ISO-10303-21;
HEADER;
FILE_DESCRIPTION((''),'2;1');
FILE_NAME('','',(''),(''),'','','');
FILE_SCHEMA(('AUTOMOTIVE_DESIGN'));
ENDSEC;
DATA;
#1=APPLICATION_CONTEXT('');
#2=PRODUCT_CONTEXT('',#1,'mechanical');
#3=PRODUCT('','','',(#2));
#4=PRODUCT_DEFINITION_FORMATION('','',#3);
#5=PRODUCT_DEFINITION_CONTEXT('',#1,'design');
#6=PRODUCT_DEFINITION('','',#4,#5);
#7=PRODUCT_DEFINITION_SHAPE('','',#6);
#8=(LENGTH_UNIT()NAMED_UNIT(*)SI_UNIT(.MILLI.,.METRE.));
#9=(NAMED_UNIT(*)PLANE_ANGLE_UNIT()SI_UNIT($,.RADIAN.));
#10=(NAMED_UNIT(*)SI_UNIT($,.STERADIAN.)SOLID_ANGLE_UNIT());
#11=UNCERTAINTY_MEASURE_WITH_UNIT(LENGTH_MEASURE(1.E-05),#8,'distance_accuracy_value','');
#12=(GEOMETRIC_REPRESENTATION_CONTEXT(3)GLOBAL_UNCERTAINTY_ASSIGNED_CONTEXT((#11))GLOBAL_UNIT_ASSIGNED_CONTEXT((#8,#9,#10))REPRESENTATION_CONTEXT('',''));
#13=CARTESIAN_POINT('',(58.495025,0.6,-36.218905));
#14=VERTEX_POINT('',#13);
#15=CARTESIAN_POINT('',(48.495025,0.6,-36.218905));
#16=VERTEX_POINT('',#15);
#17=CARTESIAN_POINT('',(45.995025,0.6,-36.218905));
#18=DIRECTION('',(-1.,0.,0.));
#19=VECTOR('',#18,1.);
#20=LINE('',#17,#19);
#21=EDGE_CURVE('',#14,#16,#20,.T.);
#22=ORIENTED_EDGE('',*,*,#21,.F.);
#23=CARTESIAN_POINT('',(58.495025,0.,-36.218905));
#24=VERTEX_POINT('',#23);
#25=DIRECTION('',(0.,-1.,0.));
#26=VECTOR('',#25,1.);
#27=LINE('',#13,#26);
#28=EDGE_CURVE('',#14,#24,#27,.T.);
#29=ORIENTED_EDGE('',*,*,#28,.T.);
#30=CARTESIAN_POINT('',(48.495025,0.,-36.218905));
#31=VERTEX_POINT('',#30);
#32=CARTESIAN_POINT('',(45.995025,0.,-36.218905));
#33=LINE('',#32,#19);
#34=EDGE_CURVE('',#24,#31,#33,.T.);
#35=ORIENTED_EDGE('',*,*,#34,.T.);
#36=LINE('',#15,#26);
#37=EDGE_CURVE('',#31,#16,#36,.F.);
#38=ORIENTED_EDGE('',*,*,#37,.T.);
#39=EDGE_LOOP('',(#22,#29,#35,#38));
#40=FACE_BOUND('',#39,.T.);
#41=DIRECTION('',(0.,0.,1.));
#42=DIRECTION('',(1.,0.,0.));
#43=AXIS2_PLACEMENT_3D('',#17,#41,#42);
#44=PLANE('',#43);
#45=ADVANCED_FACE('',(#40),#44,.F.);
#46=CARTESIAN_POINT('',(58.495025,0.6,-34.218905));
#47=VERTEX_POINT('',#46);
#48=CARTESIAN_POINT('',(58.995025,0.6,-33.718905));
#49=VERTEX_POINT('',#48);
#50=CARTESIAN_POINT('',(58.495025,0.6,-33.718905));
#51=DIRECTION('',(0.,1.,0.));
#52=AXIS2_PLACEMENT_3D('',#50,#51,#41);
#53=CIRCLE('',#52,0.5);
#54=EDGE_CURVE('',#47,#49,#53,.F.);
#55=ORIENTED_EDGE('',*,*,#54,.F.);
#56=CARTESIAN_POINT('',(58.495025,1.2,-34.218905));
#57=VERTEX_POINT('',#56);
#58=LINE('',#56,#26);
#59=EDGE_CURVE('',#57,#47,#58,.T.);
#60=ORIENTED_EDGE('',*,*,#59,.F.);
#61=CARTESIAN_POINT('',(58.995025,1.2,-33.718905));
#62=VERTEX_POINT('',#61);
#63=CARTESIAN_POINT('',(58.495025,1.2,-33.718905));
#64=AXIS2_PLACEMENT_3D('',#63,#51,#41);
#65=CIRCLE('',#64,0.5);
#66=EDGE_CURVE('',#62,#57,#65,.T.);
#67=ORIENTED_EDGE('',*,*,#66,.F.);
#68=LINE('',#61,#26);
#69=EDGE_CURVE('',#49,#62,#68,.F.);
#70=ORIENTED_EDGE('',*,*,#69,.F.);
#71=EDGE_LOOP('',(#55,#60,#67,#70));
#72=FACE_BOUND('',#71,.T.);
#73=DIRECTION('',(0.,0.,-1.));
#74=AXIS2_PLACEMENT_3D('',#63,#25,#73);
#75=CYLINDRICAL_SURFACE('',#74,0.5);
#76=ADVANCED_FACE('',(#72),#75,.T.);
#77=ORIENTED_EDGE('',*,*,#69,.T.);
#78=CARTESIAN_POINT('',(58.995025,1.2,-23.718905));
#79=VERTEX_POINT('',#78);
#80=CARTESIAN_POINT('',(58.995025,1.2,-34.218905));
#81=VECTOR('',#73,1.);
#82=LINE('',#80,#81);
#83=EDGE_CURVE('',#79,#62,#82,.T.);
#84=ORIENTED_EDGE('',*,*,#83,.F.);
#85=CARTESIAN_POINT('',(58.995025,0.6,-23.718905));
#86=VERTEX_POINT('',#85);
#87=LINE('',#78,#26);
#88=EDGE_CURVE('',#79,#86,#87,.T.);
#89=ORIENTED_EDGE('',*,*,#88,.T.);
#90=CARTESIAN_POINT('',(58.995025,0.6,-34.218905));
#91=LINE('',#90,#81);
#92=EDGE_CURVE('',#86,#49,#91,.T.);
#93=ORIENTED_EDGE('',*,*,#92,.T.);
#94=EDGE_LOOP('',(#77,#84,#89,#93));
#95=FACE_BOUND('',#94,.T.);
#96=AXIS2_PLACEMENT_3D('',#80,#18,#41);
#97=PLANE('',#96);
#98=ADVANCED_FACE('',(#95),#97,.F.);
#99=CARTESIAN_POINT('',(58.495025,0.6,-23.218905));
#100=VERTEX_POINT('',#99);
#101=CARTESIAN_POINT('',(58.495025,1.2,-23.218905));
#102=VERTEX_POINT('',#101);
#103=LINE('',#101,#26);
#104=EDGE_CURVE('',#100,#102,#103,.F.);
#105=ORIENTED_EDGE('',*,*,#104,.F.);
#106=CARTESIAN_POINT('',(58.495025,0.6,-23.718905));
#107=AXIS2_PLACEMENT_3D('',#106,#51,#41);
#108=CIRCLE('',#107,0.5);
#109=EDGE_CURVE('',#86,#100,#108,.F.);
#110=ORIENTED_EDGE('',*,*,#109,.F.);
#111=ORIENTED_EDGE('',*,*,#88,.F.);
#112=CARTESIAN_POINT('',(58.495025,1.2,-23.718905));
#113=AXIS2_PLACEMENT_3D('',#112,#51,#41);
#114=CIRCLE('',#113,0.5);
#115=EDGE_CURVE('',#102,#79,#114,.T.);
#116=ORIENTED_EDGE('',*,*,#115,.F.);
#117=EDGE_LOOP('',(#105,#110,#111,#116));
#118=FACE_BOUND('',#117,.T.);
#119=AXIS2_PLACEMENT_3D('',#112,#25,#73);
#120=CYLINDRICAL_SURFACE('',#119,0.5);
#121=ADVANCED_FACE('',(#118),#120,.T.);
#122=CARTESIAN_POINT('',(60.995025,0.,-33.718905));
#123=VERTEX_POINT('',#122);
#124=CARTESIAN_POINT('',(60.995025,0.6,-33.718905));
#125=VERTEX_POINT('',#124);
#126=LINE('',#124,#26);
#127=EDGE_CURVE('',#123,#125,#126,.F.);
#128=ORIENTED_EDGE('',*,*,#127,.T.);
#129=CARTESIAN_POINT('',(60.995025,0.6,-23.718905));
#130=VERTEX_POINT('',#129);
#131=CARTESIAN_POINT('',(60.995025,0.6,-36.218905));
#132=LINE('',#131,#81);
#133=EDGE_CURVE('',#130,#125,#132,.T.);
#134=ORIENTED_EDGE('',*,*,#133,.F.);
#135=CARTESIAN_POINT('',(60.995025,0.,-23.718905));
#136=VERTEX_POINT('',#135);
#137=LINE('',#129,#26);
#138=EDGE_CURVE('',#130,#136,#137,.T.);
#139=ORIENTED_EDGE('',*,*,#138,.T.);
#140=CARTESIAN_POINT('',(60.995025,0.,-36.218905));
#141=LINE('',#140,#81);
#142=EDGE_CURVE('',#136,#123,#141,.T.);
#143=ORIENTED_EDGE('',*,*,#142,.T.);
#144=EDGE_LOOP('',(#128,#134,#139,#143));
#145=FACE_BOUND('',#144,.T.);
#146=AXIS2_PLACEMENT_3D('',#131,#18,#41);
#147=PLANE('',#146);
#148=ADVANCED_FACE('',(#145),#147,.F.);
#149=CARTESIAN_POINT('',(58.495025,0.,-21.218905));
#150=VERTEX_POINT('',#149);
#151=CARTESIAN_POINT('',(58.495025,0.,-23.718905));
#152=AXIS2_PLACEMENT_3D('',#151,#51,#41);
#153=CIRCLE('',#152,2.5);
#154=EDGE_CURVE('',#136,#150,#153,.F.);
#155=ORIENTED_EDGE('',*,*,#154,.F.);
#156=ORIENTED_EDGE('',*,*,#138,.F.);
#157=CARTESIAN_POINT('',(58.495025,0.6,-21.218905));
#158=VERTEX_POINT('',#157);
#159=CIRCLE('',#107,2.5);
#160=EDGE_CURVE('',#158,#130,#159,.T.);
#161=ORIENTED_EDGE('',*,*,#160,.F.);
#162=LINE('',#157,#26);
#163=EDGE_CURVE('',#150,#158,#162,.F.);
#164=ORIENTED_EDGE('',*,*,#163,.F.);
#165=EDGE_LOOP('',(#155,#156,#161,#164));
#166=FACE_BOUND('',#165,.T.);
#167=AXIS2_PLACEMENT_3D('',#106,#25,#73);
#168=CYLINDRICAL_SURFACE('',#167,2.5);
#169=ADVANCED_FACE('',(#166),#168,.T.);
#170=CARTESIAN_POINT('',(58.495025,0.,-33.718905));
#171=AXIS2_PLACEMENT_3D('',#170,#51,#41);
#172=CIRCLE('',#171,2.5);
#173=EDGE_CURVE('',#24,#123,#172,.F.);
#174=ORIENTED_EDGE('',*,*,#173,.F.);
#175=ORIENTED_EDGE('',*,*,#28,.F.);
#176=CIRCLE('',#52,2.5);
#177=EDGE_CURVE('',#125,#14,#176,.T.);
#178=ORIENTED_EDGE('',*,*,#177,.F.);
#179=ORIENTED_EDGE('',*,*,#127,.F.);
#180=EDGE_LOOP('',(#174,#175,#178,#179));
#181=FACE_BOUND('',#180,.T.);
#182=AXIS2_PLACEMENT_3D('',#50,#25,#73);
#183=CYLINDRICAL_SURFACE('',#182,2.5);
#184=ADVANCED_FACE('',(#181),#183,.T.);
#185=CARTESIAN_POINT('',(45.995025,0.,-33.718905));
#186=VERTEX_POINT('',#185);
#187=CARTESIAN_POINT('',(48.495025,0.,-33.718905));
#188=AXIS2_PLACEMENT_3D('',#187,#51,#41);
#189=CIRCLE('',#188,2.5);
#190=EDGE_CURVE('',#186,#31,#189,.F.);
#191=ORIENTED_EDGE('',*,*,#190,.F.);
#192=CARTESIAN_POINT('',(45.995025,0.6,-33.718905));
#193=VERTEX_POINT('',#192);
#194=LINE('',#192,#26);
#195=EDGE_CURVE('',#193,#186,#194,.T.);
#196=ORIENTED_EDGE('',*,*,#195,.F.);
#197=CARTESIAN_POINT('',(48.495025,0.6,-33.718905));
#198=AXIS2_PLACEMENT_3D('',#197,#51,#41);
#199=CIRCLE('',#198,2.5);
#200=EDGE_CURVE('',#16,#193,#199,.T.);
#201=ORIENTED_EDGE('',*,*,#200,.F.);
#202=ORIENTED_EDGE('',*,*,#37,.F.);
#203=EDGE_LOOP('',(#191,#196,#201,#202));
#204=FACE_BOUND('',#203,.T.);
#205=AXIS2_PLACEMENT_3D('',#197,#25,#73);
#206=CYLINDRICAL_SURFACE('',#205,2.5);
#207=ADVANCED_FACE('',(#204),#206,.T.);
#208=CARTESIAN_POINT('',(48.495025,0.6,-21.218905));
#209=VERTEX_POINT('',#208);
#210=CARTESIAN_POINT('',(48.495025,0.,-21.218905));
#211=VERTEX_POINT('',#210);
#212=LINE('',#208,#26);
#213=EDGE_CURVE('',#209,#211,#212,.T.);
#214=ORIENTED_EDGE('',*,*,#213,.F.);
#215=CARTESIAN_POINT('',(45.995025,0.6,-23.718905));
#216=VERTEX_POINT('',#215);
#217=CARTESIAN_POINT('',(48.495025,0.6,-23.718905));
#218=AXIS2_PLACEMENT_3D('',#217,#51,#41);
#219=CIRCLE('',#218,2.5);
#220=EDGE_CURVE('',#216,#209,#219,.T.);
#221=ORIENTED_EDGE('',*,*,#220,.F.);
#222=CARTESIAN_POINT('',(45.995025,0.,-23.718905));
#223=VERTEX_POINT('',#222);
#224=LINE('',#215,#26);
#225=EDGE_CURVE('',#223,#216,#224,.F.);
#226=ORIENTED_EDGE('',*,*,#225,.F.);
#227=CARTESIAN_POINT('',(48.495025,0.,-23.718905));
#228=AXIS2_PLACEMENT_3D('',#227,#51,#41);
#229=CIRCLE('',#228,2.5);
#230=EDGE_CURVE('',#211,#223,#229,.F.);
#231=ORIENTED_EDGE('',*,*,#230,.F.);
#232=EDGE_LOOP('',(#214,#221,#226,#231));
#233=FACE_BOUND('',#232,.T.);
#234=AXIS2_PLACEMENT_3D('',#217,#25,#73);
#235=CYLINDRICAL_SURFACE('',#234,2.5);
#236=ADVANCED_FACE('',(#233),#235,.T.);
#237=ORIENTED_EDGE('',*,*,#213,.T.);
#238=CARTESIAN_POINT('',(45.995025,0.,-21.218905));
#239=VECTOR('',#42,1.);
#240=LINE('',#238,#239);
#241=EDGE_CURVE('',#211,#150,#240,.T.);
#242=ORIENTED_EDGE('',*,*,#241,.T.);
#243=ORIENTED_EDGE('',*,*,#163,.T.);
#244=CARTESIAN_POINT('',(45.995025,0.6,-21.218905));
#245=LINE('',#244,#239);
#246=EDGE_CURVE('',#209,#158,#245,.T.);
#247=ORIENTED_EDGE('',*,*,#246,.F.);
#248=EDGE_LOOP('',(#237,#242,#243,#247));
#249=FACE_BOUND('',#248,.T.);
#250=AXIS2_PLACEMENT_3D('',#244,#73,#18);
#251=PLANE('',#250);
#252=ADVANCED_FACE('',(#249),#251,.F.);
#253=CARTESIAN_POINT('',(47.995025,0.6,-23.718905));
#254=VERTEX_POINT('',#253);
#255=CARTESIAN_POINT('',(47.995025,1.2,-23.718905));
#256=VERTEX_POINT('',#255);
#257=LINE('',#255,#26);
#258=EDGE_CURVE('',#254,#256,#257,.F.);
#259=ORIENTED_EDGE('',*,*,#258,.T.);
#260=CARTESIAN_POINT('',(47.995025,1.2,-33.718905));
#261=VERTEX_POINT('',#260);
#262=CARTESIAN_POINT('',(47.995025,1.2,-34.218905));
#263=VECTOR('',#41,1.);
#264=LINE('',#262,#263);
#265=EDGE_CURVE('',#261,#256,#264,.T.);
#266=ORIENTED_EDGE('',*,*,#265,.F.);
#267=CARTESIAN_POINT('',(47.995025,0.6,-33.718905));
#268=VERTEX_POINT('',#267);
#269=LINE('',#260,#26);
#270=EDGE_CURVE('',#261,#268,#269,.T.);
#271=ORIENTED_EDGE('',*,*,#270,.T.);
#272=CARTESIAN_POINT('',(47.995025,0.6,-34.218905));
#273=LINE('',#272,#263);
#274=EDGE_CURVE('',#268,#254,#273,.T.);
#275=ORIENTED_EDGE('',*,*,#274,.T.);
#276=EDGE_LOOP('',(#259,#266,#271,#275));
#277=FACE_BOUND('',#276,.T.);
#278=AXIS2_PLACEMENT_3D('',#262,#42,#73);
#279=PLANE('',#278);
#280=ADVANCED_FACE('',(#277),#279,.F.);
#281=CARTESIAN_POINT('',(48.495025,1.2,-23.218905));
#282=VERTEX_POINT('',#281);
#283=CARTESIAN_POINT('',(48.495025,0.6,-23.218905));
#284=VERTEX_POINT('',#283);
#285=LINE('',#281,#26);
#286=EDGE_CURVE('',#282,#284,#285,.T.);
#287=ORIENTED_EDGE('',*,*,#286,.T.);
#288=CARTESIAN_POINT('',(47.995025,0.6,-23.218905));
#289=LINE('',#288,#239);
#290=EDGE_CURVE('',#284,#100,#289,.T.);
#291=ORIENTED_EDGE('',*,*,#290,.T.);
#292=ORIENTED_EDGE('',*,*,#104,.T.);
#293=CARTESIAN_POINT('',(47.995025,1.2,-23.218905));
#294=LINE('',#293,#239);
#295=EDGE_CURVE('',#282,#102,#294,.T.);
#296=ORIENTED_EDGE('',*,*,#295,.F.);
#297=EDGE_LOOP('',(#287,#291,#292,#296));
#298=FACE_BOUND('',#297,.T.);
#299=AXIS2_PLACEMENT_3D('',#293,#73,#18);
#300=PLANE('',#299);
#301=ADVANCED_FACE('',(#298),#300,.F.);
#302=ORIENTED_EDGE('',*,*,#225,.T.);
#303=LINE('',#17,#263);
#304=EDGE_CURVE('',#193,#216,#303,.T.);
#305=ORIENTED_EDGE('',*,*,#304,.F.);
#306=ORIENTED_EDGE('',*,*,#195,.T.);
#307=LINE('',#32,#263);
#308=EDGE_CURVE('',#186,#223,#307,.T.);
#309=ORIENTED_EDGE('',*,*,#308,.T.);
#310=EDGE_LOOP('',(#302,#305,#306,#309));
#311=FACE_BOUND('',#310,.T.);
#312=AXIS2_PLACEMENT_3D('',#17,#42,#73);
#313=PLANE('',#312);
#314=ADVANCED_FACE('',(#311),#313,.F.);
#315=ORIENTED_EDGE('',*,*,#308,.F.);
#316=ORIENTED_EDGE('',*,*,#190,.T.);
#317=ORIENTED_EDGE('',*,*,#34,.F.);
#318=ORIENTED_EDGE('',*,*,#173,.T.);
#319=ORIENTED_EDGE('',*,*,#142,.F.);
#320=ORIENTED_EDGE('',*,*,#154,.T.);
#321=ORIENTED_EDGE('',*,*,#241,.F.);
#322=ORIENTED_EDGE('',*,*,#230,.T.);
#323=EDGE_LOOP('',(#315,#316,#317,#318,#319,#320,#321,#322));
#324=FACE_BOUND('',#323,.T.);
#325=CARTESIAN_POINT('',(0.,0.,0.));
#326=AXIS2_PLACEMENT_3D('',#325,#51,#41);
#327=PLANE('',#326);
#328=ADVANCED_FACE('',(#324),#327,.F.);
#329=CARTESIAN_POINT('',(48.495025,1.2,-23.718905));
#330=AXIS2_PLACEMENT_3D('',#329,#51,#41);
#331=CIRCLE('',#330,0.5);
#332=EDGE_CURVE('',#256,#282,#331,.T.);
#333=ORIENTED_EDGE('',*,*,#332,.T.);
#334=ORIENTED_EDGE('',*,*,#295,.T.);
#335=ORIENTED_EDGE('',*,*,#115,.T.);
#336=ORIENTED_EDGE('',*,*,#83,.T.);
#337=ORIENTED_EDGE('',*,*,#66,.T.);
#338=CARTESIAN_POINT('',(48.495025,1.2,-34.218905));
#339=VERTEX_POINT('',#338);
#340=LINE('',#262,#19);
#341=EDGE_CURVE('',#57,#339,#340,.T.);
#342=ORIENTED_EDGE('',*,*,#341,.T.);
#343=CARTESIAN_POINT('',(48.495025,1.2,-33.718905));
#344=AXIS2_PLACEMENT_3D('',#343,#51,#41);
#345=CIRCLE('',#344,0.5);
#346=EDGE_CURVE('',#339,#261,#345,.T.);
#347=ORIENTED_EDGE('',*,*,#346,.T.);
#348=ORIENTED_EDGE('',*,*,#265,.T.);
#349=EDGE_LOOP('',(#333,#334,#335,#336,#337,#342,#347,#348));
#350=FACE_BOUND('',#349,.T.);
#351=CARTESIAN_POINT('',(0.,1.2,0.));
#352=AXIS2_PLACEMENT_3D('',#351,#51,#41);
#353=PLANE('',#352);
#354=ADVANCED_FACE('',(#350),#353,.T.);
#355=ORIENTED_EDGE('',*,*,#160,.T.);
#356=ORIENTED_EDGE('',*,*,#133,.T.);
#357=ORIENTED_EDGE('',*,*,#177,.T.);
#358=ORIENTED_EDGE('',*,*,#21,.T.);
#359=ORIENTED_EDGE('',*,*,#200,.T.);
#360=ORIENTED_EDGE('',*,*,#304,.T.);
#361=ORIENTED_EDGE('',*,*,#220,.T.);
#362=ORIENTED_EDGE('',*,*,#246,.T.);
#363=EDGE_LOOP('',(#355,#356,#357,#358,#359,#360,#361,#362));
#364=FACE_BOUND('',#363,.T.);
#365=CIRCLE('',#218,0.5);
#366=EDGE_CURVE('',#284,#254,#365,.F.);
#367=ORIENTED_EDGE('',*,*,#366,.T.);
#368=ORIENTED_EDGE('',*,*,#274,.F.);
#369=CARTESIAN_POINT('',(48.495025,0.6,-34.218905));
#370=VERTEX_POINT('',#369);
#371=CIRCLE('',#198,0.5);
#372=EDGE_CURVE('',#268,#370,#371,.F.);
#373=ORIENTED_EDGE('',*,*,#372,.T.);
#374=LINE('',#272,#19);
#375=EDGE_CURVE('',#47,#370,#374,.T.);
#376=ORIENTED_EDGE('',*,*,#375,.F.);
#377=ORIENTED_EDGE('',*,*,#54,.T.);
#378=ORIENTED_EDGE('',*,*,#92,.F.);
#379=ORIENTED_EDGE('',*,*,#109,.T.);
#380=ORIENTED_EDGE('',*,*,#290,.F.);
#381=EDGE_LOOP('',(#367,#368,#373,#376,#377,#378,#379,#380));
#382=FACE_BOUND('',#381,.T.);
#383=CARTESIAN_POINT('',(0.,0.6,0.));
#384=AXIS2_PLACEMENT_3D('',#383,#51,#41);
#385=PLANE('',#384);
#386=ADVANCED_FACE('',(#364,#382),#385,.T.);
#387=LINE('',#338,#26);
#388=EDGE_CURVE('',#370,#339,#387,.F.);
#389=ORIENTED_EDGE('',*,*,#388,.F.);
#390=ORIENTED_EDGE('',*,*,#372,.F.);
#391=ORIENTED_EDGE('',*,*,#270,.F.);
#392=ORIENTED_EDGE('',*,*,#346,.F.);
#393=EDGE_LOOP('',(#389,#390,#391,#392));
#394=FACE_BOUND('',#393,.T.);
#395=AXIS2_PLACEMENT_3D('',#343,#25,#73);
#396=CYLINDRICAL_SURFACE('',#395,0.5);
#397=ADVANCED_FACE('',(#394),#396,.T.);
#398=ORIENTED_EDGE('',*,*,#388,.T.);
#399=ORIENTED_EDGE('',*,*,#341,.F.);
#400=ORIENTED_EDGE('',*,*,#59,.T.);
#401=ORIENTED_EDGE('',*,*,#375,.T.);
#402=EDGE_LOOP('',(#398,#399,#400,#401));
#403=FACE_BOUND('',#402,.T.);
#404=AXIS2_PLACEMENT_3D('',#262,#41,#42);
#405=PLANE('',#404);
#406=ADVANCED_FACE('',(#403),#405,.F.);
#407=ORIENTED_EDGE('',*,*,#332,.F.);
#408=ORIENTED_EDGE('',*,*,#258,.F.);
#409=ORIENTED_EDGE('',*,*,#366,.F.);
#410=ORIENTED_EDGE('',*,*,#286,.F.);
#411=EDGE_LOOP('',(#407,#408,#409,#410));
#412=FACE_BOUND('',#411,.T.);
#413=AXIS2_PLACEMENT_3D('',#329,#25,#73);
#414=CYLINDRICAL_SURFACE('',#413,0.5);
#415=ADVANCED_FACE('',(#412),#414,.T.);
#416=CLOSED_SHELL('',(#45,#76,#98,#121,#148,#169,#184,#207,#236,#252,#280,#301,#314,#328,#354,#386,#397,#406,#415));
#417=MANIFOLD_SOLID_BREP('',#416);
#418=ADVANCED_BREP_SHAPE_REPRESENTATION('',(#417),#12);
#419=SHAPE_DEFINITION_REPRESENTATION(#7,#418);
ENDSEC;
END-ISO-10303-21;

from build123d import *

# Parameters (mm, degrees)
SKETCH_1_W      = 15
SKETCH_1_H      = 15
EXTRUDE_1_DEPTH = 0.6
FILLET_1_R      = 2.5
SKETCH_2_W      = 11
SKETCH_2_H      = 11
EXTRUDE_2_DEPTH = 0.6
FILLET_2_R      = 0.5


with BuildPart() as part:
    # 草图1 → 凸台-拉伸1 (new body)
    with BuildSketch(Plane(origin=(0, 0, 0), x_dir=(1, 0, 0), z_dir=(0, 1, 0))):
        with Locations((53.495024876, 28.718905473)):
            Rectangle(SKETCH_1_W, SKETCH_1_H)
    extrude(amount=EXTRUDE_1_DEPTH)

    # 圆角1
    fillet_1_edges = [part.edges().sort_by_distance(p)[0] for p in [
        (45.995024876, 0.3, -36.218905473),
        (60.995024876, 0.3, -36.218905473),
        (60.995024876, 0.3, -21.218905473),
        (45.995024876, 0.3, -21.218905473),
    ]]
    fillet(fillet_1_edges, radius=FILLET_1_R)

    # 草图2 → 凸台-拉伸2 (add)
    with BuildSketch(Plane(origin=(0, 0.6, 0), x_dir=(1, 0, 0), z_dir=(0, 1, 0))):
        with Locations((53.495024876, 28.718905473)):
            Rectangle(SKETCH_2_W, SKETCH_2_H)
    extrude(amount=EXTRUDE_2_DEPTH)

    # 圆角2
    fillet_2_edges = [part.edges().sort_by_distance(p)[0] for p in [
        (47.995024876, 0.9, -34.218905473),
        (47.995024876, 0.9, -23.218905473),
        (58.995024876, 0.9, -23.218905473),
        (58.995024876, 0.9, -34.218905473),
    ]]
    fillet(fillet_2_edges, radius=FILLET_2_R)


solid = part.part
